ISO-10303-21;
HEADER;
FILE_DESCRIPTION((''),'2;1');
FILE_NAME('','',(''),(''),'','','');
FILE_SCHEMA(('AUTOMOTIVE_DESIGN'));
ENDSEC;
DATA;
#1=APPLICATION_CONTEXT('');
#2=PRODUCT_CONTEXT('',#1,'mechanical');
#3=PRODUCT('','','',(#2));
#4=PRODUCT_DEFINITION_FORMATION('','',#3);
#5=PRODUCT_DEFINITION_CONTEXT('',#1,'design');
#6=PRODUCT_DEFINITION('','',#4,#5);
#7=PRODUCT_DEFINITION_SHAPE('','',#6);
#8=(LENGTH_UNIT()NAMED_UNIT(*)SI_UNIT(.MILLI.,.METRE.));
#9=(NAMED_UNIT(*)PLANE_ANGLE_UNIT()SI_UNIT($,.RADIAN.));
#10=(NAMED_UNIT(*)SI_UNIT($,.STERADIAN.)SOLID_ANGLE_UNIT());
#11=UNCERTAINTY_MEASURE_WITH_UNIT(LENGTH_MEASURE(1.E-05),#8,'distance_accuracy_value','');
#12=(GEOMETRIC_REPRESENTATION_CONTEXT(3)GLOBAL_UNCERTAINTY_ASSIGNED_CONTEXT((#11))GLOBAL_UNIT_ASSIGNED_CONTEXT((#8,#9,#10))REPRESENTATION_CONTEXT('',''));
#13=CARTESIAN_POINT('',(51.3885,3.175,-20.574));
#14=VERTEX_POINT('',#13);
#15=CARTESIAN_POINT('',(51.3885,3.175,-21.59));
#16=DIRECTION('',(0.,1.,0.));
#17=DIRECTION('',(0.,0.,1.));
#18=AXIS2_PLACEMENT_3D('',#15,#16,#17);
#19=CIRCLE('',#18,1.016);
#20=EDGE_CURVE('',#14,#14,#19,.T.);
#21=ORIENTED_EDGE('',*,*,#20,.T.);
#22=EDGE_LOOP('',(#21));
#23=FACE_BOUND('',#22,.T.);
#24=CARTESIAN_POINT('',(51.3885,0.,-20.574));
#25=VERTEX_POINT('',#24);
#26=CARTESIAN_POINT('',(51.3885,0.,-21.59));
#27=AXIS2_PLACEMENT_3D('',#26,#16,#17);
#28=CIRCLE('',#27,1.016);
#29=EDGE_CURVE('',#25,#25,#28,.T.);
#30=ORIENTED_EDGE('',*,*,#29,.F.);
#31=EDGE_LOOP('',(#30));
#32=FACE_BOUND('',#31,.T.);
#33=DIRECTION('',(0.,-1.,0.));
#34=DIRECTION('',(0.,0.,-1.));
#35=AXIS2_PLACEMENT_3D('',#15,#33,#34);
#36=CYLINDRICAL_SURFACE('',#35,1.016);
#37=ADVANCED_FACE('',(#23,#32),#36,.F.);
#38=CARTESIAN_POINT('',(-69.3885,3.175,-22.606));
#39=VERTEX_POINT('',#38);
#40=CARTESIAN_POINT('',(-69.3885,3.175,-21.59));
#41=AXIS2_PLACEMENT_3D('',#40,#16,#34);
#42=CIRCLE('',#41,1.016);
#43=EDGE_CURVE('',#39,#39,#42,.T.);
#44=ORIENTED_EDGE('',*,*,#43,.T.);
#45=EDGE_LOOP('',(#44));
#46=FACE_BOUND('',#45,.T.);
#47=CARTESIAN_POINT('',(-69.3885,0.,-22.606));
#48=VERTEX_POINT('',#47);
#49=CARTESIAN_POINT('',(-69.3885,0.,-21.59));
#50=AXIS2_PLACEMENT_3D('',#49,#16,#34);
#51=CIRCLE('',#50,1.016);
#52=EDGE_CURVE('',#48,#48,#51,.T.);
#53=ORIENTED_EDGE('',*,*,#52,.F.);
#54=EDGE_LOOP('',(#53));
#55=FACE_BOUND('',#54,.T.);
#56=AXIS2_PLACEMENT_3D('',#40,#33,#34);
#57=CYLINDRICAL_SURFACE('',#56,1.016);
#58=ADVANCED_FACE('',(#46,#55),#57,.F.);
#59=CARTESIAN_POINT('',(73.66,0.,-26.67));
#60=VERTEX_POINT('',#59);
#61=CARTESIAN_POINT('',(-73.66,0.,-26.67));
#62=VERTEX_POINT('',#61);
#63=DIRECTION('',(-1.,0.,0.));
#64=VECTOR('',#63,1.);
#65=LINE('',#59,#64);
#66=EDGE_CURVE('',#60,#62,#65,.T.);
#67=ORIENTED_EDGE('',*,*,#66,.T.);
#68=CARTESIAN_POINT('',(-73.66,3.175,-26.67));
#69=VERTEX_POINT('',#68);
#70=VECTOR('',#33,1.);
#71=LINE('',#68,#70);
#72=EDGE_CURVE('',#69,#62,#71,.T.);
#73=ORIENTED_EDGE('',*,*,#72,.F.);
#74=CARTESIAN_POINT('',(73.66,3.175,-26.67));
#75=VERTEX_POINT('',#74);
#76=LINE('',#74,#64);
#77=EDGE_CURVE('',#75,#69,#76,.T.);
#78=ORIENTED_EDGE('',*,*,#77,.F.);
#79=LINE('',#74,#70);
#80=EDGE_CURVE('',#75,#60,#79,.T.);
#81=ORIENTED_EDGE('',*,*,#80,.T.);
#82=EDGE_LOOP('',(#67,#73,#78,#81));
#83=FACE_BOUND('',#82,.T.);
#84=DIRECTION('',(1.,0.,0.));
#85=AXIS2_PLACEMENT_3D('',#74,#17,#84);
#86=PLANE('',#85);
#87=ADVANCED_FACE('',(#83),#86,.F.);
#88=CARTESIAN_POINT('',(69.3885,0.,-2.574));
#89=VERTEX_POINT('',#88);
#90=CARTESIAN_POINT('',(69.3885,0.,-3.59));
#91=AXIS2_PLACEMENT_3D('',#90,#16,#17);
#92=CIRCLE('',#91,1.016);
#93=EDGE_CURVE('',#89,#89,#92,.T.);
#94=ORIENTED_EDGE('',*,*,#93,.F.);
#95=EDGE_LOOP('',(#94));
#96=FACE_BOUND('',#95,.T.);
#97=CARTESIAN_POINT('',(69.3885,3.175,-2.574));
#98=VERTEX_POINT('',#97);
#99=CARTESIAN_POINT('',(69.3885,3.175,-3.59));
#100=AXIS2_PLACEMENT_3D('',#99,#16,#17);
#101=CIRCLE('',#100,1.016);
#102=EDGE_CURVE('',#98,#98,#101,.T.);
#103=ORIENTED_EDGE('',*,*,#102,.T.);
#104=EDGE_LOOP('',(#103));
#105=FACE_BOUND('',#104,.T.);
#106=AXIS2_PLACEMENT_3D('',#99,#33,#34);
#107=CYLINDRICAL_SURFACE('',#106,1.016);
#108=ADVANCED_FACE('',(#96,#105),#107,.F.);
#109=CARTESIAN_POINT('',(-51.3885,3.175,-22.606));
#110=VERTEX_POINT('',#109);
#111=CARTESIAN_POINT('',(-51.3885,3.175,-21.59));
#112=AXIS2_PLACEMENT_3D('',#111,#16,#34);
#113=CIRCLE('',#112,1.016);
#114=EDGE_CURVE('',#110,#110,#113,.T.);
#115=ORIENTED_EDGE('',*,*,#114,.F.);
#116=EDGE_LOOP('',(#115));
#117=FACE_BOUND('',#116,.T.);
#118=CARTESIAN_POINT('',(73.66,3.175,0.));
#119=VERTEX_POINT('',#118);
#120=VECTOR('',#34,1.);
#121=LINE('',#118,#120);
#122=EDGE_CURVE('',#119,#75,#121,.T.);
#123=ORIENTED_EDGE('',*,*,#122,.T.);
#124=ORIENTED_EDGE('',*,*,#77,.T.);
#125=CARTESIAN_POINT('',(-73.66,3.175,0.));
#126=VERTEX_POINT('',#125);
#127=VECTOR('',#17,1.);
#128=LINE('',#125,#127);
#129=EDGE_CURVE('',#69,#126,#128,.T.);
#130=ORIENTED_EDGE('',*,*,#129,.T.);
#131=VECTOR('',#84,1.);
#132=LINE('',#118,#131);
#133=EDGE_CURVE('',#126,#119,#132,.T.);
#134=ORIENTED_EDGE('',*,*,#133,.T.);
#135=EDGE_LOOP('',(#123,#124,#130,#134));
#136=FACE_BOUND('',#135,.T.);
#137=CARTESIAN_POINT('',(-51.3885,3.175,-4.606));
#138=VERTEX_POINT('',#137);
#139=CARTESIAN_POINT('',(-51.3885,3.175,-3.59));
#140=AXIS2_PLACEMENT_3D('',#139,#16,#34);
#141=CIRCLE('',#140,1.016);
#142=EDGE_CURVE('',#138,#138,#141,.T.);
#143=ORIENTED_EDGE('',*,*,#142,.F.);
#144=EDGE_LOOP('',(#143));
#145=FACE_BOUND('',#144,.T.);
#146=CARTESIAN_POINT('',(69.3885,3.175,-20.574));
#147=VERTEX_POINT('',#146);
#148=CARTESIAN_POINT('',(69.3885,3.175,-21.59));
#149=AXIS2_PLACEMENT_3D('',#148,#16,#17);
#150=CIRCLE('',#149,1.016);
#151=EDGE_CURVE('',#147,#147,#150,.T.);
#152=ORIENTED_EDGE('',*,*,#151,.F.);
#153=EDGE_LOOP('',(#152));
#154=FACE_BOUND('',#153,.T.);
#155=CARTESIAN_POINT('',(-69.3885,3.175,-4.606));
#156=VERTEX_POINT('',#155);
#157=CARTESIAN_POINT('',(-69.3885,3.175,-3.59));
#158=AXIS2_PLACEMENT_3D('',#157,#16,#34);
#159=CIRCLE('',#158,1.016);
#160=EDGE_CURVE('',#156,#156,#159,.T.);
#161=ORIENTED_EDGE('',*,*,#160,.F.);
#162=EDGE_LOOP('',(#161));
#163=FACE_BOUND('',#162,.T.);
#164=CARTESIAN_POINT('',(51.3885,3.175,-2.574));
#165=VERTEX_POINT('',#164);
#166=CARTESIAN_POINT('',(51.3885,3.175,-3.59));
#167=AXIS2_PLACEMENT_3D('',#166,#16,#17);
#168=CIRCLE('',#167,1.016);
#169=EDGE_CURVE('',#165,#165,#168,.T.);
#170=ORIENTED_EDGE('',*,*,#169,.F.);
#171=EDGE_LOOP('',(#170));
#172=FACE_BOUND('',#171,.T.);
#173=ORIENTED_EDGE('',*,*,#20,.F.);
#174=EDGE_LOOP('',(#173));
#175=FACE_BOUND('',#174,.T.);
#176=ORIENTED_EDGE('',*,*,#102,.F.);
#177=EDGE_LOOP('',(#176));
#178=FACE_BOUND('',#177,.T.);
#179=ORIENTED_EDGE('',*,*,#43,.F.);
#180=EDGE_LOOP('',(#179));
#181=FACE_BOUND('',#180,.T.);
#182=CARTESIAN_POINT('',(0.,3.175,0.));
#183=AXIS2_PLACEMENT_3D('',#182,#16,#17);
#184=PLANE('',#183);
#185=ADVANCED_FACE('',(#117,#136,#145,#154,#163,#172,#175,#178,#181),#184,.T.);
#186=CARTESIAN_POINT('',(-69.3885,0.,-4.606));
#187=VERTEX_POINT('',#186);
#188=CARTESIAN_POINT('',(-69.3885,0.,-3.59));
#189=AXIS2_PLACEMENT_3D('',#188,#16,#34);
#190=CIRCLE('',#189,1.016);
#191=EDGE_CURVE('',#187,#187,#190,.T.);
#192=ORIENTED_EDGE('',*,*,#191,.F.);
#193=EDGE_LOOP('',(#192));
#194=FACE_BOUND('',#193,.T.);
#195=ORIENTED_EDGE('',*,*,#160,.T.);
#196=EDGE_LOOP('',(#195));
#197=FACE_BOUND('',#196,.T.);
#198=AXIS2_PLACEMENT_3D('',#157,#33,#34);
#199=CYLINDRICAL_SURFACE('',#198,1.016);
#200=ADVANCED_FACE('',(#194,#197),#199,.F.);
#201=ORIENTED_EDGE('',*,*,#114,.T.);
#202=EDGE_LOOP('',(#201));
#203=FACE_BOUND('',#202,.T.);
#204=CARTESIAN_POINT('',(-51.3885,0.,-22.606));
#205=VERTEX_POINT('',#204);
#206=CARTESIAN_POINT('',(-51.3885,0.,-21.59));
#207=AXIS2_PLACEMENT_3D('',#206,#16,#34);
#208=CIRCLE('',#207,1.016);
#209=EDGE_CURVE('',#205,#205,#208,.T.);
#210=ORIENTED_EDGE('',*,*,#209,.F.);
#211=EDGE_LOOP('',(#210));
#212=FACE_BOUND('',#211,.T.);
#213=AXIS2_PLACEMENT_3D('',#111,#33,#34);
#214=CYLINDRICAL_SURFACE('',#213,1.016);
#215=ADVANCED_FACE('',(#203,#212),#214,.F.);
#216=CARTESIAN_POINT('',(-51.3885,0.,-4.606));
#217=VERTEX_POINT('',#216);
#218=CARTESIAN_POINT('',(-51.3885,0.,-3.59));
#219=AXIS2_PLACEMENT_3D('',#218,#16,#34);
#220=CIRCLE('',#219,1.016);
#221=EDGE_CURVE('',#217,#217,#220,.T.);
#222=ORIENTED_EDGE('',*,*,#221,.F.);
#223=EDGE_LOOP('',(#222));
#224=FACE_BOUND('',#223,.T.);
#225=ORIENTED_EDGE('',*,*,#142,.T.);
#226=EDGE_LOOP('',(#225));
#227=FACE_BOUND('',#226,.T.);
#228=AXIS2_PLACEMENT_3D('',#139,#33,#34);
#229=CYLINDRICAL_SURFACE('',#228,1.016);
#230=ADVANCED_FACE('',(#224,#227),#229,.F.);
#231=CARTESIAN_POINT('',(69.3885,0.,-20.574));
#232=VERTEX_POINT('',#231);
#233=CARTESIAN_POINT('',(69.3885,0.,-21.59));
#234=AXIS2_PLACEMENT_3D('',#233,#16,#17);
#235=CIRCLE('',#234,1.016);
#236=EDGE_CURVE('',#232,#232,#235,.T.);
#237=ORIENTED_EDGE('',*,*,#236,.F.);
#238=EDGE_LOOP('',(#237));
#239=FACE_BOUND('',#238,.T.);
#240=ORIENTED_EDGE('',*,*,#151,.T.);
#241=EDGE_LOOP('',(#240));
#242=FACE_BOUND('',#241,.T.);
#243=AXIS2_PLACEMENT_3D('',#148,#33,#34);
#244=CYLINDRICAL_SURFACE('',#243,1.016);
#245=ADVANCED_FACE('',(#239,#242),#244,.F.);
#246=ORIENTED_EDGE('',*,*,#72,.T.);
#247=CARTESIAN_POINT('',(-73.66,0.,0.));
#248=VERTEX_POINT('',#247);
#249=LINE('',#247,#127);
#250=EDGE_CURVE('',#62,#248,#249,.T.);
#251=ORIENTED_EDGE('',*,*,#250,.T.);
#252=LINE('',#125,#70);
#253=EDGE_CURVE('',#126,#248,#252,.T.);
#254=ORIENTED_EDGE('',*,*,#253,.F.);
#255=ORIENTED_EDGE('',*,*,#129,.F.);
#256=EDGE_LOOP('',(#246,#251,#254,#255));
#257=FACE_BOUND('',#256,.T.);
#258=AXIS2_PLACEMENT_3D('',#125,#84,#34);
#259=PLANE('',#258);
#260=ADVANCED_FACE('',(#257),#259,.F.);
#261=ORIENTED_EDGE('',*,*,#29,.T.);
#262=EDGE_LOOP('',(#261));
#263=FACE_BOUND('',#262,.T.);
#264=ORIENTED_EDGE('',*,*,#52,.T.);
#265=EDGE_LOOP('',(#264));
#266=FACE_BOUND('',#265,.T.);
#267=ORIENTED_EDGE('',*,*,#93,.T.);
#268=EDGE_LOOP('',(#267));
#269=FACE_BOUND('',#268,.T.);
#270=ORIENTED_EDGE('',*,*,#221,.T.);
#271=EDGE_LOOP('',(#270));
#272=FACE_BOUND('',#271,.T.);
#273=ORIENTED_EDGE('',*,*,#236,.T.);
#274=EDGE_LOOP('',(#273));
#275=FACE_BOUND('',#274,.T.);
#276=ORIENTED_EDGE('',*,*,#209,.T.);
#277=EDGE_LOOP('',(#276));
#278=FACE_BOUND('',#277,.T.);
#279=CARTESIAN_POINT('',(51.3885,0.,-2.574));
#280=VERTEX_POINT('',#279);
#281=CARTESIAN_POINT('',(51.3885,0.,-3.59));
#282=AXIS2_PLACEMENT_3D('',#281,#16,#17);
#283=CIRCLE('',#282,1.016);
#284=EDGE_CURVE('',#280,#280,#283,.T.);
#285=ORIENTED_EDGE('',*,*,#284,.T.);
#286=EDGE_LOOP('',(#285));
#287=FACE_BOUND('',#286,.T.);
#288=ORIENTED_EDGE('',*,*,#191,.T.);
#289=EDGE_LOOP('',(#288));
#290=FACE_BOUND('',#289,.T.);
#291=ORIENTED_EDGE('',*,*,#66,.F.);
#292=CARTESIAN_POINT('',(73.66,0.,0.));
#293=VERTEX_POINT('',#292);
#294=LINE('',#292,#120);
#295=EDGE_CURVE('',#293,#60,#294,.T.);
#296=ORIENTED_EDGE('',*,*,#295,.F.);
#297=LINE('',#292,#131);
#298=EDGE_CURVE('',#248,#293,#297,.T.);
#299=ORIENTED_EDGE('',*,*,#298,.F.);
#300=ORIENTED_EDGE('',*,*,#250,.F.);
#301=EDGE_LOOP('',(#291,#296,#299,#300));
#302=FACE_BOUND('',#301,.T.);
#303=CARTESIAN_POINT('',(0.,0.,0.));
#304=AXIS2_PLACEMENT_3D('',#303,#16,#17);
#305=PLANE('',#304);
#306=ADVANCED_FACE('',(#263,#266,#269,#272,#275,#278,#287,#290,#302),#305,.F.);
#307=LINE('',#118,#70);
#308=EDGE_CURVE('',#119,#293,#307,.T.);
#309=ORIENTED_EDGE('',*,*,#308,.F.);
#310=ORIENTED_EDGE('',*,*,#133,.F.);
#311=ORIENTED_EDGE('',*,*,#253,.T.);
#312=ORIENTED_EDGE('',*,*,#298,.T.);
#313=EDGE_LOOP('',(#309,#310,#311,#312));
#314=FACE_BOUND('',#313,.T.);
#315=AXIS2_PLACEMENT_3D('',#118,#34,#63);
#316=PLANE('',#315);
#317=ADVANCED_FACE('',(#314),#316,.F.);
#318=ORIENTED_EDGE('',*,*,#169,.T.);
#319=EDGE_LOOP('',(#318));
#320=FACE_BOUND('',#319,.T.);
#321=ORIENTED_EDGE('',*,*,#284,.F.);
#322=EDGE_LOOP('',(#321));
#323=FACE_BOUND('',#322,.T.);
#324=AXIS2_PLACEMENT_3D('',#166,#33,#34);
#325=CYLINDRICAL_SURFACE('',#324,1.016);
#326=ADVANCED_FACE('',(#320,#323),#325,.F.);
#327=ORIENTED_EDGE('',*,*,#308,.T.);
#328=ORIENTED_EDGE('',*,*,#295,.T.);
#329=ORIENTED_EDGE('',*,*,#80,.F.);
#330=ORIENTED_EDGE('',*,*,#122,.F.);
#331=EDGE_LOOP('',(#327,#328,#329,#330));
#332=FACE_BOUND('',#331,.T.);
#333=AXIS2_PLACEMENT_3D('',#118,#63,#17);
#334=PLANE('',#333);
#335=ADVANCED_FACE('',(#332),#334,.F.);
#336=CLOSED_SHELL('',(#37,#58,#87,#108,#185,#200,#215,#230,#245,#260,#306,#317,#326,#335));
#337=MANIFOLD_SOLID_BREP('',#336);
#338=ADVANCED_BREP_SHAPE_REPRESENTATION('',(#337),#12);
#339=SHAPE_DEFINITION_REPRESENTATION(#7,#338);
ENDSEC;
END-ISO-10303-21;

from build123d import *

# Parameters (mm, degrees)
SKETCH1_W           = 147.32
SKETCH1_H           = 26.67
SKETCH1_R           = 1.016
BOSS_EXTRUDE1_DEPTH = 3.175


with BuildPart() as part:
    # Sketch1 → Boss-Extrude1 (new body)
    with BuildSketch(Plane(origin=(0, 0, 0), x_dir=(1, 0, 0), z_dir=(0, 1, 0))):
        with Locations((0, 13.335)):
            Rectangle(SKETCH1_W, SKETCH1_H)
        with Locations(Location((51.3885, 21.59, 0), (0, 0, 270))):
            Circle(SKETCH1_R, mode=Mode.SUBTRACT)
        with Locations(Location((69.3885, 21.59, 0), (0, 0, 270))):
            Circle(SKETCH1_R, mode=Mode.SUBTRACT)
        with Locations(Location((51.3885, 3.59, 0), (0, 0, 270))):
            Circle(SKETCH1_R, mode=Mode.SUBTRACT)
        with Locations(Location((69.3885, 3.59, 0), (0, 0, 270))):
            Circle(SKETCH1_R, mode=Mode.SUBTRACT)
        with Locations(Location((-69.3885, 3.59, 0), (0, 0, 90))):
            Circle(SKETCH1_R, mode=Mode.SUBTRACT)
        with Locations(Location((-51.3885, 3.59, 0), (0, 0, 90))):
            Circle(SKETCH1_R, mode=Mode.SUBTRACT)
        with Locations(Location((-69.3885, 21.59, 0), (0, 0, 90))):
            Circle(SKETCH1_R, mode=Mode.SUBTRACT)
        with Locations(Location((-51.3885, 21.59, 0), (0, 0, 90))):
            Circle(SKETCH1_R, mode=Mode.SUBTRACT)
    extrude(amount=BOSS_EXTRUDE1_DEPTH)


solid = part.part
